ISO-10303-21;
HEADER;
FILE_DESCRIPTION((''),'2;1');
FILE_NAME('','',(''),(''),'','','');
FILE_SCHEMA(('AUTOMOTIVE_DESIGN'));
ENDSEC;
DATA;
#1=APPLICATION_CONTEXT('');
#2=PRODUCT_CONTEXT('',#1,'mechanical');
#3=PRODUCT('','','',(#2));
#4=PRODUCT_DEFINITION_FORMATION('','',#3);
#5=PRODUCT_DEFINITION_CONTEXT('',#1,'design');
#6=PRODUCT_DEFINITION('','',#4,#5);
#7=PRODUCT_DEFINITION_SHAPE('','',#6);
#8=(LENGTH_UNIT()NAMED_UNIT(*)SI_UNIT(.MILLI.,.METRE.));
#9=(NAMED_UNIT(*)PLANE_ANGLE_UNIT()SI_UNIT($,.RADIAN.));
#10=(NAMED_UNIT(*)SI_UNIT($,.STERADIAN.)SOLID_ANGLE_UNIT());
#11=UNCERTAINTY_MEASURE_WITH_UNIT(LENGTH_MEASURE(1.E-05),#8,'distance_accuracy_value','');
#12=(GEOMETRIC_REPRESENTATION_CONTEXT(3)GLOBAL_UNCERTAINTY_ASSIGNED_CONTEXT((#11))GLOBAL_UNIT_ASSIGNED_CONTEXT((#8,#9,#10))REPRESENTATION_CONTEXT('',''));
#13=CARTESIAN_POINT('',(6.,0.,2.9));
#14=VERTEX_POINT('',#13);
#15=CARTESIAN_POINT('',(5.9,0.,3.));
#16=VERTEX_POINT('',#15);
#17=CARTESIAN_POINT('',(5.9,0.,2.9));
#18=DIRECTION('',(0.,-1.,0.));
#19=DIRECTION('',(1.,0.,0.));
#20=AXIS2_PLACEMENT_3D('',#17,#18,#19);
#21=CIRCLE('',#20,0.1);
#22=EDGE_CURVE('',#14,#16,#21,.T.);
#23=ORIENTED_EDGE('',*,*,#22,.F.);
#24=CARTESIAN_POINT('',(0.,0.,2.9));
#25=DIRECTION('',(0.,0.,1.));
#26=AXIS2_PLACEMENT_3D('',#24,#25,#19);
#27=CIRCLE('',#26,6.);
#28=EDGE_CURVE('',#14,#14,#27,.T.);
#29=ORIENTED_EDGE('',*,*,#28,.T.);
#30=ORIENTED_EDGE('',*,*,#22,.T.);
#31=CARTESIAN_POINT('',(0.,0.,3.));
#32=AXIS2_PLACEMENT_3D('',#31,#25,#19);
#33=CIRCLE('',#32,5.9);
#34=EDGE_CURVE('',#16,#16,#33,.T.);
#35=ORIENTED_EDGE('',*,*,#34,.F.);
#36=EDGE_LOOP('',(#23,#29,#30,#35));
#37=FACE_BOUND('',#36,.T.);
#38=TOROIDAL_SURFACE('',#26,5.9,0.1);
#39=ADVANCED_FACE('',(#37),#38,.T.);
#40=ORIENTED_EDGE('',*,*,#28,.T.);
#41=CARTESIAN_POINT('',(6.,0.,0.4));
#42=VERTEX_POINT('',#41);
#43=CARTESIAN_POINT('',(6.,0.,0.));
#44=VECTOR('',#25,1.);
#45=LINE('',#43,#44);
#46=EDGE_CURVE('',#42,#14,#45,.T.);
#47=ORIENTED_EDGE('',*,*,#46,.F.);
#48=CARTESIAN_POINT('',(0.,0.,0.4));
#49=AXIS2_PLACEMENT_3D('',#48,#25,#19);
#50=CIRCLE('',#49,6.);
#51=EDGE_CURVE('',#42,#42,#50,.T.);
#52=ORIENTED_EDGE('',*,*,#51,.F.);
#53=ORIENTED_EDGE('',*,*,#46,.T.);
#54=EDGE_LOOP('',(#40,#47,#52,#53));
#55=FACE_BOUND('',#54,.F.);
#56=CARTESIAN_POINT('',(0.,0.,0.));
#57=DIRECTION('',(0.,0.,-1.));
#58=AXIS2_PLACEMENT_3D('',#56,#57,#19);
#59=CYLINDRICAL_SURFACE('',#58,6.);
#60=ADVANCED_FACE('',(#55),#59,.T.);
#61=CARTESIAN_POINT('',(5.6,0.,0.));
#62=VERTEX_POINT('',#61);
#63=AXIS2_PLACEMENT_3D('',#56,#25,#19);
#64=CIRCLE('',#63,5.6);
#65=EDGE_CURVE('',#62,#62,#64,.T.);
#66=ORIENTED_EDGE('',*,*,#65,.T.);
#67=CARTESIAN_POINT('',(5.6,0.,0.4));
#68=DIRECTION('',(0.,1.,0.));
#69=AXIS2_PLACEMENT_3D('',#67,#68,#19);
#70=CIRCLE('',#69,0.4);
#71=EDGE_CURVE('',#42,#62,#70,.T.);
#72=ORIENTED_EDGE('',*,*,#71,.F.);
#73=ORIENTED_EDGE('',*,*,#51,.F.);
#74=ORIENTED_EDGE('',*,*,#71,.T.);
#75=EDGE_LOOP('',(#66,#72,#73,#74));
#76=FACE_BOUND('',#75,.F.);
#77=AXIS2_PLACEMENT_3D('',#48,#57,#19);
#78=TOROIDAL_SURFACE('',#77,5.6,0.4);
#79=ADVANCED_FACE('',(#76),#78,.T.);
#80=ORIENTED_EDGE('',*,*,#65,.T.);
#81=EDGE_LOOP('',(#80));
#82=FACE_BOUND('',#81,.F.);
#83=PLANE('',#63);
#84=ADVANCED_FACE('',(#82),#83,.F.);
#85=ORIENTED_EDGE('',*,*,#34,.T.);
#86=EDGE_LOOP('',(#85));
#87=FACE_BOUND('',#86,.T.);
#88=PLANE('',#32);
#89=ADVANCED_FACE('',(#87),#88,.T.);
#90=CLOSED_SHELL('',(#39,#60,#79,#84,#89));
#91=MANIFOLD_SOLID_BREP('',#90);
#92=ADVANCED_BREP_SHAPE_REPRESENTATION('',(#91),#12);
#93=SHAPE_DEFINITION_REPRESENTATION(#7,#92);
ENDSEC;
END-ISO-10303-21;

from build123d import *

# Parameters (mm, degrees)
CYLINDER_R     = 6
CYLINDER_DEPTH = 3
FILLET_R       = 0.1
FILLET001_R    = 0.4


with BuildPart() as part:
    # Cylinder → Cylinder (new body)
    with BuildSketch(Plane.XY):
        Circle(CYLINDER_R)
    extrude(amount=CYLINDER_DEPTH)

    # Fillet
    fillet_edges = [part.edges().sort_by_distance(p)[0] for p in [
        (-6, 0, 3),
    ]]
    fillet(fillet_edges, radius=FILLET_R)

    # Fillet001
    fillet001_edges = [part.edges().sort_by_distance(p)[0] for p in [
        (-6, 0, 0),
    ]]
    fillet(fillet001_edges, radius=FILLET001_R)


solid = part.part
